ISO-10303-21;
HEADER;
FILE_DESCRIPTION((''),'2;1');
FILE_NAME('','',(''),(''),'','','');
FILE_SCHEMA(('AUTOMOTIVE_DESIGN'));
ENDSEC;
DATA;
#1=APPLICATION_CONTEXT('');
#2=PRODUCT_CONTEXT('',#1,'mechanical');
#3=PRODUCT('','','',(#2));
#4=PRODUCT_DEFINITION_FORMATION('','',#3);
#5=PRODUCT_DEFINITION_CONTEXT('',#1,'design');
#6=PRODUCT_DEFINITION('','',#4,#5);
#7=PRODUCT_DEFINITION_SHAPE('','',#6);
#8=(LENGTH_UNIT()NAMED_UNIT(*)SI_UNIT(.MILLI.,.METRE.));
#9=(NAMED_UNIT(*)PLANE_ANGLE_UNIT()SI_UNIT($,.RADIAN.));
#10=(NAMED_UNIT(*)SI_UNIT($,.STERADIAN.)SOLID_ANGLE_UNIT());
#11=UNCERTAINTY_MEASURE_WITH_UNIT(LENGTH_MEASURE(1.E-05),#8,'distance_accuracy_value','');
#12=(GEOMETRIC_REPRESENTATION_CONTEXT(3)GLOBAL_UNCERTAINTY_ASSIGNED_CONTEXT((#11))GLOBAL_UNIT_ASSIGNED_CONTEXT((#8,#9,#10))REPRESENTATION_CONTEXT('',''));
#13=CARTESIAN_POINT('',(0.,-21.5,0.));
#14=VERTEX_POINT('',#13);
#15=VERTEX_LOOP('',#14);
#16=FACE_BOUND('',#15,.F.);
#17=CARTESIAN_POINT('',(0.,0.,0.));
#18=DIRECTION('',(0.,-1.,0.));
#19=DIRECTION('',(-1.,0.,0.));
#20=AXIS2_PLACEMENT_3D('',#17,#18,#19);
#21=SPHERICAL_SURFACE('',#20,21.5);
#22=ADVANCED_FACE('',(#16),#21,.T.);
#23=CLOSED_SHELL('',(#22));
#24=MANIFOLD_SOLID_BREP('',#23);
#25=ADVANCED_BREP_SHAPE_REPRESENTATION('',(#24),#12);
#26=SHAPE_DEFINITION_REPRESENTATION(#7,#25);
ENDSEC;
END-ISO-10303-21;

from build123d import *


with BuildPart() as part:
    # Sketch1 → Revolve5 (revolve)
    with BuildSketch(Plane.XY):
        with BuildLine():
            Line((0, -21.5), (0, 21.5))
            ThreePointArc((0, 21.5), (-21.5, 0), (0, -21.5))
        make_face()
    revolve(axis=Axis((0, -30.125069071, 0), (0, 1, 0)))


solid = part.part
